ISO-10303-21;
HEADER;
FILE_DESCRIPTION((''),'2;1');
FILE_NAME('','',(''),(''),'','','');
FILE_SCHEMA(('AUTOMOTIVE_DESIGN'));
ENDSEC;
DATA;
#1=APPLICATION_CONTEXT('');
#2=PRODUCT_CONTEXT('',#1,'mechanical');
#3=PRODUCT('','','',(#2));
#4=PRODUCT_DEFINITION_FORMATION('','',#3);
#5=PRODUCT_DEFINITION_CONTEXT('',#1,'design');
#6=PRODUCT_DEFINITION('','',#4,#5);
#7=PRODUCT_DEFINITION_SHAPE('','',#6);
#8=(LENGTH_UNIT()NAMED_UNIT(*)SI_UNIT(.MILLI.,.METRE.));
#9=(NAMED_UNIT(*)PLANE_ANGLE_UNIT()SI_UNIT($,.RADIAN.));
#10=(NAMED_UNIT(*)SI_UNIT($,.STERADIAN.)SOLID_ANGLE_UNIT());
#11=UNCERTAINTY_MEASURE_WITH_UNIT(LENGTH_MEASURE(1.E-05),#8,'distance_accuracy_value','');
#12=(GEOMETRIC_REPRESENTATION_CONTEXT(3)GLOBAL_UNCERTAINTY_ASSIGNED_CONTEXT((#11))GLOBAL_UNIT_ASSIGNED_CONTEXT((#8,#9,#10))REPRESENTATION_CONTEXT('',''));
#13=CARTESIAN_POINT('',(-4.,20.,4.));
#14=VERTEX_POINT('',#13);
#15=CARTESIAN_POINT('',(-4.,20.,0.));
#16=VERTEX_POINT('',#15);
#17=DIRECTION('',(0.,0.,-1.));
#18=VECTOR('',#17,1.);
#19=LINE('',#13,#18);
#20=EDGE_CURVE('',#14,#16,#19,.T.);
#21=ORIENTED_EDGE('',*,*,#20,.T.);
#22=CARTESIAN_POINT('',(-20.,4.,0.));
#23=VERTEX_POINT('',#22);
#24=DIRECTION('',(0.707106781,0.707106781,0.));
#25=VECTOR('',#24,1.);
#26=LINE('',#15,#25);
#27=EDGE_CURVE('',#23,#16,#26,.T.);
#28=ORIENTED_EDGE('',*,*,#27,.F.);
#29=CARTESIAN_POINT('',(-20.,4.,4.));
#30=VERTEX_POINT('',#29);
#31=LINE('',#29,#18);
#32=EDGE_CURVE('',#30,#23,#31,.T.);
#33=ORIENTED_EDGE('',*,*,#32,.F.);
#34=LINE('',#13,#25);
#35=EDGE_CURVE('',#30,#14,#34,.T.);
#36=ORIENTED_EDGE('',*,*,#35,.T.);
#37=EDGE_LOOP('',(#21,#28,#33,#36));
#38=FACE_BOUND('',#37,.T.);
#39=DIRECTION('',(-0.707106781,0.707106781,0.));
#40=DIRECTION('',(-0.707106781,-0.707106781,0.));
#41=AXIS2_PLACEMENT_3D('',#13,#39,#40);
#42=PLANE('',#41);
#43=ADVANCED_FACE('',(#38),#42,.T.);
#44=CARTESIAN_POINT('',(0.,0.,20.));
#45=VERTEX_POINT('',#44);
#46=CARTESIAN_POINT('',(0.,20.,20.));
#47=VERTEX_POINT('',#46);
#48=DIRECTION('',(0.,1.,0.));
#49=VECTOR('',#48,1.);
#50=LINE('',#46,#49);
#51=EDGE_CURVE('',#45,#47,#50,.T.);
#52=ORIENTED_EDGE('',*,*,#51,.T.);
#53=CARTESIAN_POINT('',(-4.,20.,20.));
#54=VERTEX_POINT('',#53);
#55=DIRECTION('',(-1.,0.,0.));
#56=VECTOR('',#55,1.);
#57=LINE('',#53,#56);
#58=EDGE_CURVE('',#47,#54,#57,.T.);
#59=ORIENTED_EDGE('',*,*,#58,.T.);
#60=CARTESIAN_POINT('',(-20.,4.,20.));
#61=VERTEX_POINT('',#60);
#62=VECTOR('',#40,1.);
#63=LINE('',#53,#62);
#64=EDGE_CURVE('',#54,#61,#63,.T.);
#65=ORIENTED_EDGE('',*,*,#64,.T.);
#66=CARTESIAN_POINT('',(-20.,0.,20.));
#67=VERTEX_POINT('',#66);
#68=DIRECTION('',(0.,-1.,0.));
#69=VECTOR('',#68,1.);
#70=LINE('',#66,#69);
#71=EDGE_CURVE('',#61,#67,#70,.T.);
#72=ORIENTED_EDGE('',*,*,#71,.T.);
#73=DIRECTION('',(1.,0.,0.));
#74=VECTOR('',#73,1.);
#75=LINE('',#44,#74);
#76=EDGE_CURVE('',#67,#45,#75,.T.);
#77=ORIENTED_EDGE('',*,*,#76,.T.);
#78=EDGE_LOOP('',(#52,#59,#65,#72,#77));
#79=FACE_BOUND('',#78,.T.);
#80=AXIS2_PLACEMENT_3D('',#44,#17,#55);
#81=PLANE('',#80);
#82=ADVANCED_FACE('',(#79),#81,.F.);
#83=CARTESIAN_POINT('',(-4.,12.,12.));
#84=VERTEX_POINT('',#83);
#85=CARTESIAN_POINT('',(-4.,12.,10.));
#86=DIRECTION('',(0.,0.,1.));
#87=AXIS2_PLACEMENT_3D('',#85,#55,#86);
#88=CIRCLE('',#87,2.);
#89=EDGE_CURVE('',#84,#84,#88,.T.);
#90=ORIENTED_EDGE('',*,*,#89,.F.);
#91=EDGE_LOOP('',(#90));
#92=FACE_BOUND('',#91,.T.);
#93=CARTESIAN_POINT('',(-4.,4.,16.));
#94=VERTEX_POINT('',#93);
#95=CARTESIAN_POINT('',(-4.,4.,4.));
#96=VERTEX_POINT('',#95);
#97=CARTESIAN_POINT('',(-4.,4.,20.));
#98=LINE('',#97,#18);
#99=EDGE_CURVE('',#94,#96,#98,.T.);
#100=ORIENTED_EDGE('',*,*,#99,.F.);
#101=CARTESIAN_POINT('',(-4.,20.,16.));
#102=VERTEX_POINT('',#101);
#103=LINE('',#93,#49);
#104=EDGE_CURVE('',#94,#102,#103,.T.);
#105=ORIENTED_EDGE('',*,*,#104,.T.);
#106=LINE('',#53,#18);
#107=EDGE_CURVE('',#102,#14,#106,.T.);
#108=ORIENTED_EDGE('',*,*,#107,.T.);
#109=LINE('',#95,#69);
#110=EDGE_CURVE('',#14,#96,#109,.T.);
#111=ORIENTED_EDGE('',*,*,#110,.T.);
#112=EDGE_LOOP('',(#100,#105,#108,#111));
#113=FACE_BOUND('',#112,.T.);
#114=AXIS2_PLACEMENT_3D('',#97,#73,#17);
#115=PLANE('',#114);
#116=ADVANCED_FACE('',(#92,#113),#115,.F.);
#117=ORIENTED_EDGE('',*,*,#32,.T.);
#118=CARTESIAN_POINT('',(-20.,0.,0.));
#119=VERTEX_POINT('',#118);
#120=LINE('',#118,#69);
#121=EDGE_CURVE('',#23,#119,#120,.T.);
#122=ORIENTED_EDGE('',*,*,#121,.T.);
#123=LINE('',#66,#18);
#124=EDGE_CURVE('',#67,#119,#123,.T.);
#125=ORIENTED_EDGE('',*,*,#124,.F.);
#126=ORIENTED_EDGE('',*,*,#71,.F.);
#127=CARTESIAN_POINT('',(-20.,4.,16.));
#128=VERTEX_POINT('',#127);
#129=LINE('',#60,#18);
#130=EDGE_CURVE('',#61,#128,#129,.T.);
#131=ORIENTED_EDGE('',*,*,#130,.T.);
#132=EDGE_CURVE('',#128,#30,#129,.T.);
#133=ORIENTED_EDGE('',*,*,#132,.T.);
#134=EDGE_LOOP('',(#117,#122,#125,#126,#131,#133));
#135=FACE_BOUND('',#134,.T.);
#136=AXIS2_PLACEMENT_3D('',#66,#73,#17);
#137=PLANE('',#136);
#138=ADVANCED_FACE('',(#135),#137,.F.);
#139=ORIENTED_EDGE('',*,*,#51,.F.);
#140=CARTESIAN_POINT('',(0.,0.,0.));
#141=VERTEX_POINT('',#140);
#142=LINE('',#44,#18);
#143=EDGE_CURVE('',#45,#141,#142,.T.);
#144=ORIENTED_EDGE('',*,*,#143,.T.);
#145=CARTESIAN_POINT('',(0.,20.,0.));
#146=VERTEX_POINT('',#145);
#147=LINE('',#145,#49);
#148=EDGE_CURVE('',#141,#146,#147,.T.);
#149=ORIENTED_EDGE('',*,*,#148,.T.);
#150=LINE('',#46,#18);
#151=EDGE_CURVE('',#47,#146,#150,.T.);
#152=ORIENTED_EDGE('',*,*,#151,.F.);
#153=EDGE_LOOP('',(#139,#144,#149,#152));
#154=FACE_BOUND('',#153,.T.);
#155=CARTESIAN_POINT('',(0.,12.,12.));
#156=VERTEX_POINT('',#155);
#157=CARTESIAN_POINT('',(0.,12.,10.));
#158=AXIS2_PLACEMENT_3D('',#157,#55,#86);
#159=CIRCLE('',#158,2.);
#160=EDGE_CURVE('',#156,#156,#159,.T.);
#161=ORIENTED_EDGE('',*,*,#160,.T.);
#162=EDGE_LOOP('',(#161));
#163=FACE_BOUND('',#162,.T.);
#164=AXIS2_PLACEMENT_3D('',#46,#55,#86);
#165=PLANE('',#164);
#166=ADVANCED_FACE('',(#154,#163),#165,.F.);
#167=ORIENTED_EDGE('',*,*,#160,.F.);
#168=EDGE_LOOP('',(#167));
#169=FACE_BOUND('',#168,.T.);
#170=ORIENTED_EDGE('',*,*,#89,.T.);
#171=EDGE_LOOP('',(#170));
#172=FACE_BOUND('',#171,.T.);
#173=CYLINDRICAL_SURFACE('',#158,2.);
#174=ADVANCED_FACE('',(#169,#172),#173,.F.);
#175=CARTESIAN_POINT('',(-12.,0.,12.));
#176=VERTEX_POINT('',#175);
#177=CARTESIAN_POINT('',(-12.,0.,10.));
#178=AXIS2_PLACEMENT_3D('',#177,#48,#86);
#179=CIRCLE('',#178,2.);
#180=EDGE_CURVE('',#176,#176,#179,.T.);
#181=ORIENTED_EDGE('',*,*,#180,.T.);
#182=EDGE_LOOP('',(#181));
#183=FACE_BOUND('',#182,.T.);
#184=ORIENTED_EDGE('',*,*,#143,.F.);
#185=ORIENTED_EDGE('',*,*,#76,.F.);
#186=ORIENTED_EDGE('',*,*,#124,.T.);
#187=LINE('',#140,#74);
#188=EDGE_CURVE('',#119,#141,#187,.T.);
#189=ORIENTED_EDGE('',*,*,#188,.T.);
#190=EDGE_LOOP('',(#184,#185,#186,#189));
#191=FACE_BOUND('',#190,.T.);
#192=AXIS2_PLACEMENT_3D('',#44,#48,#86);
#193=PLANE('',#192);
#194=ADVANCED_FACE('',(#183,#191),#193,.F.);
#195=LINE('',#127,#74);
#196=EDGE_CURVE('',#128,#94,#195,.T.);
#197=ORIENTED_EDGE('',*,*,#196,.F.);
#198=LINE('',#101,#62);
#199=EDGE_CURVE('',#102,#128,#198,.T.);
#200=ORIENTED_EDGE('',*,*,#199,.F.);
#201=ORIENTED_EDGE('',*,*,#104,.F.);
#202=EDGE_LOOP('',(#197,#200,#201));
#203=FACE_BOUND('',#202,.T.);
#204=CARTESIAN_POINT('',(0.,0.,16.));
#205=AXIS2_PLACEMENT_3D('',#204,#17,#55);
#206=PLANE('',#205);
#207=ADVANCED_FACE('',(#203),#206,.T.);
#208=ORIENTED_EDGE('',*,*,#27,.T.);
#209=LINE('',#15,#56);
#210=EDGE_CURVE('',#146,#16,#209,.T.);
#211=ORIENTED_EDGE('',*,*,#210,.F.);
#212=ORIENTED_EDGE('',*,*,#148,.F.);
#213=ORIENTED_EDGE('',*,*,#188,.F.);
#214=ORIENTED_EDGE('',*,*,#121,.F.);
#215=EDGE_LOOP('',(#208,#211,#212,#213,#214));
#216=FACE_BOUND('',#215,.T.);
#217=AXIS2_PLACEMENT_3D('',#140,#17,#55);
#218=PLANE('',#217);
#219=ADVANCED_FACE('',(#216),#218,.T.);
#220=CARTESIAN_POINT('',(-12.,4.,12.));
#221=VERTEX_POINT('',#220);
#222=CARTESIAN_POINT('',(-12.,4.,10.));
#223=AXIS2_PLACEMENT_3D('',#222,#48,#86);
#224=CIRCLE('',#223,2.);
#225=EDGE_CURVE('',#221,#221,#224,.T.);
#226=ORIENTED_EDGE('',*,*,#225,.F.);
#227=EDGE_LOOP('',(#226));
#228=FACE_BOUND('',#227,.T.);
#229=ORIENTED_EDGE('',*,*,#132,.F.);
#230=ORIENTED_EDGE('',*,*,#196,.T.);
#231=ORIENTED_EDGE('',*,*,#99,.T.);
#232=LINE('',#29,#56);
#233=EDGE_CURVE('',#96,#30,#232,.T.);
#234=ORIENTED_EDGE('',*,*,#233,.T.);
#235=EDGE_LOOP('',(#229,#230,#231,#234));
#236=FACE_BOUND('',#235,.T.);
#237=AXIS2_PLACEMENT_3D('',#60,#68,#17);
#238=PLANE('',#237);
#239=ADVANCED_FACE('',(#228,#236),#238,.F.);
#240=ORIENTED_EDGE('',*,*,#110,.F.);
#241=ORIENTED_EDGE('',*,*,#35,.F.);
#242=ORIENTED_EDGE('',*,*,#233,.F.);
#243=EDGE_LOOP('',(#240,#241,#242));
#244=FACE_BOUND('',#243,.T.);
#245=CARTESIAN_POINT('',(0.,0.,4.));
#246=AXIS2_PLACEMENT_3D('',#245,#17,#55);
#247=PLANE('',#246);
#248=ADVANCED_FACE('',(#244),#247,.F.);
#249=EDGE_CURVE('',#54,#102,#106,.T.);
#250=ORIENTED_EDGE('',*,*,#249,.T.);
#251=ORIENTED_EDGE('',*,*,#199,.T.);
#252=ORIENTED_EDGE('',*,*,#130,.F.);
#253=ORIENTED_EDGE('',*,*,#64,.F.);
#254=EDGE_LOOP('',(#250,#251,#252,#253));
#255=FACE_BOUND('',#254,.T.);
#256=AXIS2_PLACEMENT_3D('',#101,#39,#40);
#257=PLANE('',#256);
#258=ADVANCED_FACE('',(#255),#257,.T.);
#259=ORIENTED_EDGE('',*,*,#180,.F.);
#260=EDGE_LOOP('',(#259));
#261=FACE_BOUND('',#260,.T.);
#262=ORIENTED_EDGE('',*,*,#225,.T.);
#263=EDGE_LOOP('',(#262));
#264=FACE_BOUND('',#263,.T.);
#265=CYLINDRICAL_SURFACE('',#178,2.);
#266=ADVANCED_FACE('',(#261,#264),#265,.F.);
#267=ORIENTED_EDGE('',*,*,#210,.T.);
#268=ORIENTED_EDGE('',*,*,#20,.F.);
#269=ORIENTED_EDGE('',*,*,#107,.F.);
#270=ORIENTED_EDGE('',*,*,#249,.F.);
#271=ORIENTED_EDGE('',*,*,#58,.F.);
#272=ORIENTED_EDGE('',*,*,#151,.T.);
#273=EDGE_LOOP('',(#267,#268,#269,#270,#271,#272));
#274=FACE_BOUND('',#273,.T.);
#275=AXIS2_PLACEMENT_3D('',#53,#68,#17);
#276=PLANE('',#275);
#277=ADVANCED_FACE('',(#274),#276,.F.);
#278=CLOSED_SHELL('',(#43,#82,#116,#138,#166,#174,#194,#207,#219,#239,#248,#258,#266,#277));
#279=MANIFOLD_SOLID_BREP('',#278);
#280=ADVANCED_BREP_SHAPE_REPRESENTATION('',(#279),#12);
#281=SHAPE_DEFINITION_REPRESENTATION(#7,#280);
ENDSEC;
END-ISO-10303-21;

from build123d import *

# Parameters (mm, degrees)
BOSS_EXTRUDE1_DEPTH = 20
BOSS_EXTRUDE2_DEPTH = 4
BOSS_EXTRUDE3_DEPTH = 4
SKETCH4_R           = 2
CUT_EXTRUDE1_DEPTH  = 4
SKETCH5_R           = 2
CUT_EXTRUDE2_DEPTH  = 4


with BuildPart() as part:
    # Sketch1 → Boss-Extrude1 (new body)
    with BuildSketch(Plane.XY):
        Polygon((0, 0), (-20, 0), (-20, 4), (-4, 4), (-4, 20), (0, 20), align=None)
    extrude(amount=BOSS_EXTRUDE1_DEPTH)

    # Sketch2 → Boss-Extrude2 (add)
    with BuildSketch(Plane(origin=(0, 0, 0), x_dir=(-1, 0, 0), z_dir=(0, 0, -1))):
        Polygon((4, 20), (20, 4), (4, 4), align=None)
    extrude(amount=-BOSS_EXTRUDE2_DEPTH)

    # Sketch3 → Boss-Extrude3 (add)
    with BuildSketch(Plane.XY.offset(20)):
        Polygon((-4, 20), (-20, 4), (-4, 4), align=None)
    extrude(amount=-BOSS_EXTRUDE3_DEPTH)

    # Sketch4 → Cut-Extrude1 (cut)
    with BuildSketch(Plane(origin=(0, 4, 0), x_dir=(1, 0, 0), z_dir=(0, 1, 0))):
        with Locations((-12, -10)):
            Circle(SKETCH4_R)
    extrude(amount=-CUT_EXTRUDE1_DEPTH, mode=Mode.SUBTRACT)

    # Sketch5 → Cut-Extrude2 (cut)
    with BuildSketch(Plane.ZY.offset(4)):
        with Locations((10, 12)):
            Circle(SKETCH5_R)
    extrude(amount=-CUT_EXTRUDE2_DEPTH, mode=Mode.SUBTRACT)


solid = part.part
